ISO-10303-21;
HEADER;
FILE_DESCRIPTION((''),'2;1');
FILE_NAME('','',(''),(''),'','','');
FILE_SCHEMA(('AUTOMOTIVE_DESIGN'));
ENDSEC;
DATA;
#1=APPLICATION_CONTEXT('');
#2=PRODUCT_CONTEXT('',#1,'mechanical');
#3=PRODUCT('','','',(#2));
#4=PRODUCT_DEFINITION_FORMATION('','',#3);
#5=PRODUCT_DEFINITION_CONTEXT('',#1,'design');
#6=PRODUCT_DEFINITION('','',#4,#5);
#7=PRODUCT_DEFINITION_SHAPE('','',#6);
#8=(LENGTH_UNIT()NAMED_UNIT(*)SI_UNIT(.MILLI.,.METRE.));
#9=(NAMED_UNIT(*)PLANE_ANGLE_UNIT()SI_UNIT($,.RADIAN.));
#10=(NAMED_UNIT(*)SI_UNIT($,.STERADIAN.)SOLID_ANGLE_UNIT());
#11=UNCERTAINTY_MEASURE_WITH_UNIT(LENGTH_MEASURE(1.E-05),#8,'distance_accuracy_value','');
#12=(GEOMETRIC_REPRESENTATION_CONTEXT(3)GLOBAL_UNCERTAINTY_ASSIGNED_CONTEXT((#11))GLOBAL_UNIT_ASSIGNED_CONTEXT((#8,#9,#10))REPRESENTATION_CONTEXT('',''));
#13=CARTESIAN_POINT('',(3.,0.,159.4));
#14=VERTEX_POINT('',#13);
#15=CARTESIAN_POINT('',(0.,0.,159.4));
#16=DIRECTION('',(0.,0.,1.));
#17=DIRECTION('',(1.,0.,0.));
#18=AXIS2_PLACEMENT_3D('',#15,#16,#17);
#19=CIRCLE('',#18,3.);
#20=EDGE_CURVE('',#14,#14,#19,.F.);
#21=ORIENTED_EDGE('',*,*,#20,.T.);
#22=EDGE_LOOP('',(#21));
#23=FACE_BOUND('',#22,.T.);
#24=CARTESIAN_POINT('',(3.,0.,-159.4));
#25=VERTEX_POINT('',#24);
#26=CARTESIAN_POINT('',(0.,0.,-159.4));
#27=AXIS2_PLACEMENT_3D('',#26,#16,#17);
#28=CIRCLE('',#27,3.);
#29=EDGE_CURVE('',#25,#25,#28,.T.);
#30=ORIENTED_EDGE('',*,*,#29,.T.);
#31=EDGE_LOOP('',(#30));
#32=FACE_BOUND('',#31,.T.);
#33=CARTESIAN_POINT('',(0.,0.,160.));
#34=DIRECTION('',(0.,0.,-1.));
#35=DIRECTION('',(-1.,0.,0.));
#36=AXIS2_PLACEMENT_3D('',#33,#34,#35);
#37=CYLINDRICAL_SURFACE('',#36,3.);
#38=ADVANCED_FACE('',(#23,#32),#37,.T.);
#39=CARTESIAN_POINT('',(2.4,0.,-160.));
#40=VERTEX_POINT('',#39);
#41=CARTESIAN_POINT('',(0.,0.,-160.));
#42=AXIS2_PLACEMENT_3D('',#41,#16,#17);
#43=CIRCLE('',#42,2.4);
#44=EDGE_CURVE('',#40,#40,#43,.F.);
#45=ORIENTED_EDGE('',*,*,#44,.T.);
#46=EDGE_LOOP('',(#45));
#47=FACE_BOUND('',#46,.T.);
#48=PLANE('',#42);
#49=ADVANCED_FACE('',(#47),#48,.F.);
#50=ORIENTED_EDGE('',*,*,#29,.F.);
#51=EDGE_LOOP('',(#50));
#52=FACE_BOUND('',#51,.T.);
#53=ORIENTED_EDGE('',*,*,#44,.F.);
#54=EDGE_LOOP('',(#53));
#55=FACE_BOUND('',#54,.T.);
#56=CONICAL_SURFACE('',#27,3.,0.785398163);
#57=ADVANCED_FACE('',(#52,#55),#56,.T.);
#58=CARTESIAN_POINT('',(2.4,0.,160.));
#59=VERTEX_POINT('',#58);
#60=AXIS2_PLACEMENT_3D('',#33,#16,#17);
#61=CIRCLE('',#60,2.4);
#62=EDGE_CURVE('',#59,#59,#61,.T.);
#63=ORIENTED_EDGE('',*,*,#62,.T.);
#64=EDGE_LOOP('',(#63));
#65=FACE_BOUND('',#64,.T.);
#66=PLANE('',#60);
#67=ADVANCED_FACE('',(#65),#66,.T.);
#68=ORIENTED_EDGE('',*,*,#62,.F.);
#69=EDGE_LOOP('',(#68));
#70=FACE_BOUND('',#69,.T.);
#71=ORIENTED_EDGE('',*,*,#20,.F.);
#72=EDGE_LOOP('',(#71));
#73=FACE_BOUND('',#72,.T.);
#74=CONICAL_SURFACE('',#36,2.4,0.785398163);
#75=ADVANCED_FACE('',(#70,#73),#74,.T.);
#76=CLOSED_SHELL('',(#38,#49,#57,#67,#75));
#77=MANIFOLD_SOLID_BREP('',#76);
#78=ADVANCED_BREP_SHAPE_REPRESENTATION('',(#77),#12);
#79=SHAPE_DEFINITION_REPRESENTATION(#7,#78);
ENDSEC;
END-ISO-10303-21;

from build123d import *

# Parameters (mm, degrees)
SKETCH1_R      = 3
EXTRUDE1_DEPTH = 160
CHAMFER1_SIZE  = 0.6


with BuildPart() as part:
    # Sketch1 → Extrude1 (new, symmetric)
    with BuildSketch(Plane.XY):
        Circle(SKETCH1_R)
    extrude(amount=EXTRUDE1_DEPTH, both=True)

    # Chamfer1
    chamfer1_edges = [part.edges().sort_by_distance(p)[0] for p in [
        (-3, 0, -160),
        (-3, 0, 160),
    ]]
    chamfer(chamfer1_edges, length=CHAMFER1_SIZE)


solid = part.part
